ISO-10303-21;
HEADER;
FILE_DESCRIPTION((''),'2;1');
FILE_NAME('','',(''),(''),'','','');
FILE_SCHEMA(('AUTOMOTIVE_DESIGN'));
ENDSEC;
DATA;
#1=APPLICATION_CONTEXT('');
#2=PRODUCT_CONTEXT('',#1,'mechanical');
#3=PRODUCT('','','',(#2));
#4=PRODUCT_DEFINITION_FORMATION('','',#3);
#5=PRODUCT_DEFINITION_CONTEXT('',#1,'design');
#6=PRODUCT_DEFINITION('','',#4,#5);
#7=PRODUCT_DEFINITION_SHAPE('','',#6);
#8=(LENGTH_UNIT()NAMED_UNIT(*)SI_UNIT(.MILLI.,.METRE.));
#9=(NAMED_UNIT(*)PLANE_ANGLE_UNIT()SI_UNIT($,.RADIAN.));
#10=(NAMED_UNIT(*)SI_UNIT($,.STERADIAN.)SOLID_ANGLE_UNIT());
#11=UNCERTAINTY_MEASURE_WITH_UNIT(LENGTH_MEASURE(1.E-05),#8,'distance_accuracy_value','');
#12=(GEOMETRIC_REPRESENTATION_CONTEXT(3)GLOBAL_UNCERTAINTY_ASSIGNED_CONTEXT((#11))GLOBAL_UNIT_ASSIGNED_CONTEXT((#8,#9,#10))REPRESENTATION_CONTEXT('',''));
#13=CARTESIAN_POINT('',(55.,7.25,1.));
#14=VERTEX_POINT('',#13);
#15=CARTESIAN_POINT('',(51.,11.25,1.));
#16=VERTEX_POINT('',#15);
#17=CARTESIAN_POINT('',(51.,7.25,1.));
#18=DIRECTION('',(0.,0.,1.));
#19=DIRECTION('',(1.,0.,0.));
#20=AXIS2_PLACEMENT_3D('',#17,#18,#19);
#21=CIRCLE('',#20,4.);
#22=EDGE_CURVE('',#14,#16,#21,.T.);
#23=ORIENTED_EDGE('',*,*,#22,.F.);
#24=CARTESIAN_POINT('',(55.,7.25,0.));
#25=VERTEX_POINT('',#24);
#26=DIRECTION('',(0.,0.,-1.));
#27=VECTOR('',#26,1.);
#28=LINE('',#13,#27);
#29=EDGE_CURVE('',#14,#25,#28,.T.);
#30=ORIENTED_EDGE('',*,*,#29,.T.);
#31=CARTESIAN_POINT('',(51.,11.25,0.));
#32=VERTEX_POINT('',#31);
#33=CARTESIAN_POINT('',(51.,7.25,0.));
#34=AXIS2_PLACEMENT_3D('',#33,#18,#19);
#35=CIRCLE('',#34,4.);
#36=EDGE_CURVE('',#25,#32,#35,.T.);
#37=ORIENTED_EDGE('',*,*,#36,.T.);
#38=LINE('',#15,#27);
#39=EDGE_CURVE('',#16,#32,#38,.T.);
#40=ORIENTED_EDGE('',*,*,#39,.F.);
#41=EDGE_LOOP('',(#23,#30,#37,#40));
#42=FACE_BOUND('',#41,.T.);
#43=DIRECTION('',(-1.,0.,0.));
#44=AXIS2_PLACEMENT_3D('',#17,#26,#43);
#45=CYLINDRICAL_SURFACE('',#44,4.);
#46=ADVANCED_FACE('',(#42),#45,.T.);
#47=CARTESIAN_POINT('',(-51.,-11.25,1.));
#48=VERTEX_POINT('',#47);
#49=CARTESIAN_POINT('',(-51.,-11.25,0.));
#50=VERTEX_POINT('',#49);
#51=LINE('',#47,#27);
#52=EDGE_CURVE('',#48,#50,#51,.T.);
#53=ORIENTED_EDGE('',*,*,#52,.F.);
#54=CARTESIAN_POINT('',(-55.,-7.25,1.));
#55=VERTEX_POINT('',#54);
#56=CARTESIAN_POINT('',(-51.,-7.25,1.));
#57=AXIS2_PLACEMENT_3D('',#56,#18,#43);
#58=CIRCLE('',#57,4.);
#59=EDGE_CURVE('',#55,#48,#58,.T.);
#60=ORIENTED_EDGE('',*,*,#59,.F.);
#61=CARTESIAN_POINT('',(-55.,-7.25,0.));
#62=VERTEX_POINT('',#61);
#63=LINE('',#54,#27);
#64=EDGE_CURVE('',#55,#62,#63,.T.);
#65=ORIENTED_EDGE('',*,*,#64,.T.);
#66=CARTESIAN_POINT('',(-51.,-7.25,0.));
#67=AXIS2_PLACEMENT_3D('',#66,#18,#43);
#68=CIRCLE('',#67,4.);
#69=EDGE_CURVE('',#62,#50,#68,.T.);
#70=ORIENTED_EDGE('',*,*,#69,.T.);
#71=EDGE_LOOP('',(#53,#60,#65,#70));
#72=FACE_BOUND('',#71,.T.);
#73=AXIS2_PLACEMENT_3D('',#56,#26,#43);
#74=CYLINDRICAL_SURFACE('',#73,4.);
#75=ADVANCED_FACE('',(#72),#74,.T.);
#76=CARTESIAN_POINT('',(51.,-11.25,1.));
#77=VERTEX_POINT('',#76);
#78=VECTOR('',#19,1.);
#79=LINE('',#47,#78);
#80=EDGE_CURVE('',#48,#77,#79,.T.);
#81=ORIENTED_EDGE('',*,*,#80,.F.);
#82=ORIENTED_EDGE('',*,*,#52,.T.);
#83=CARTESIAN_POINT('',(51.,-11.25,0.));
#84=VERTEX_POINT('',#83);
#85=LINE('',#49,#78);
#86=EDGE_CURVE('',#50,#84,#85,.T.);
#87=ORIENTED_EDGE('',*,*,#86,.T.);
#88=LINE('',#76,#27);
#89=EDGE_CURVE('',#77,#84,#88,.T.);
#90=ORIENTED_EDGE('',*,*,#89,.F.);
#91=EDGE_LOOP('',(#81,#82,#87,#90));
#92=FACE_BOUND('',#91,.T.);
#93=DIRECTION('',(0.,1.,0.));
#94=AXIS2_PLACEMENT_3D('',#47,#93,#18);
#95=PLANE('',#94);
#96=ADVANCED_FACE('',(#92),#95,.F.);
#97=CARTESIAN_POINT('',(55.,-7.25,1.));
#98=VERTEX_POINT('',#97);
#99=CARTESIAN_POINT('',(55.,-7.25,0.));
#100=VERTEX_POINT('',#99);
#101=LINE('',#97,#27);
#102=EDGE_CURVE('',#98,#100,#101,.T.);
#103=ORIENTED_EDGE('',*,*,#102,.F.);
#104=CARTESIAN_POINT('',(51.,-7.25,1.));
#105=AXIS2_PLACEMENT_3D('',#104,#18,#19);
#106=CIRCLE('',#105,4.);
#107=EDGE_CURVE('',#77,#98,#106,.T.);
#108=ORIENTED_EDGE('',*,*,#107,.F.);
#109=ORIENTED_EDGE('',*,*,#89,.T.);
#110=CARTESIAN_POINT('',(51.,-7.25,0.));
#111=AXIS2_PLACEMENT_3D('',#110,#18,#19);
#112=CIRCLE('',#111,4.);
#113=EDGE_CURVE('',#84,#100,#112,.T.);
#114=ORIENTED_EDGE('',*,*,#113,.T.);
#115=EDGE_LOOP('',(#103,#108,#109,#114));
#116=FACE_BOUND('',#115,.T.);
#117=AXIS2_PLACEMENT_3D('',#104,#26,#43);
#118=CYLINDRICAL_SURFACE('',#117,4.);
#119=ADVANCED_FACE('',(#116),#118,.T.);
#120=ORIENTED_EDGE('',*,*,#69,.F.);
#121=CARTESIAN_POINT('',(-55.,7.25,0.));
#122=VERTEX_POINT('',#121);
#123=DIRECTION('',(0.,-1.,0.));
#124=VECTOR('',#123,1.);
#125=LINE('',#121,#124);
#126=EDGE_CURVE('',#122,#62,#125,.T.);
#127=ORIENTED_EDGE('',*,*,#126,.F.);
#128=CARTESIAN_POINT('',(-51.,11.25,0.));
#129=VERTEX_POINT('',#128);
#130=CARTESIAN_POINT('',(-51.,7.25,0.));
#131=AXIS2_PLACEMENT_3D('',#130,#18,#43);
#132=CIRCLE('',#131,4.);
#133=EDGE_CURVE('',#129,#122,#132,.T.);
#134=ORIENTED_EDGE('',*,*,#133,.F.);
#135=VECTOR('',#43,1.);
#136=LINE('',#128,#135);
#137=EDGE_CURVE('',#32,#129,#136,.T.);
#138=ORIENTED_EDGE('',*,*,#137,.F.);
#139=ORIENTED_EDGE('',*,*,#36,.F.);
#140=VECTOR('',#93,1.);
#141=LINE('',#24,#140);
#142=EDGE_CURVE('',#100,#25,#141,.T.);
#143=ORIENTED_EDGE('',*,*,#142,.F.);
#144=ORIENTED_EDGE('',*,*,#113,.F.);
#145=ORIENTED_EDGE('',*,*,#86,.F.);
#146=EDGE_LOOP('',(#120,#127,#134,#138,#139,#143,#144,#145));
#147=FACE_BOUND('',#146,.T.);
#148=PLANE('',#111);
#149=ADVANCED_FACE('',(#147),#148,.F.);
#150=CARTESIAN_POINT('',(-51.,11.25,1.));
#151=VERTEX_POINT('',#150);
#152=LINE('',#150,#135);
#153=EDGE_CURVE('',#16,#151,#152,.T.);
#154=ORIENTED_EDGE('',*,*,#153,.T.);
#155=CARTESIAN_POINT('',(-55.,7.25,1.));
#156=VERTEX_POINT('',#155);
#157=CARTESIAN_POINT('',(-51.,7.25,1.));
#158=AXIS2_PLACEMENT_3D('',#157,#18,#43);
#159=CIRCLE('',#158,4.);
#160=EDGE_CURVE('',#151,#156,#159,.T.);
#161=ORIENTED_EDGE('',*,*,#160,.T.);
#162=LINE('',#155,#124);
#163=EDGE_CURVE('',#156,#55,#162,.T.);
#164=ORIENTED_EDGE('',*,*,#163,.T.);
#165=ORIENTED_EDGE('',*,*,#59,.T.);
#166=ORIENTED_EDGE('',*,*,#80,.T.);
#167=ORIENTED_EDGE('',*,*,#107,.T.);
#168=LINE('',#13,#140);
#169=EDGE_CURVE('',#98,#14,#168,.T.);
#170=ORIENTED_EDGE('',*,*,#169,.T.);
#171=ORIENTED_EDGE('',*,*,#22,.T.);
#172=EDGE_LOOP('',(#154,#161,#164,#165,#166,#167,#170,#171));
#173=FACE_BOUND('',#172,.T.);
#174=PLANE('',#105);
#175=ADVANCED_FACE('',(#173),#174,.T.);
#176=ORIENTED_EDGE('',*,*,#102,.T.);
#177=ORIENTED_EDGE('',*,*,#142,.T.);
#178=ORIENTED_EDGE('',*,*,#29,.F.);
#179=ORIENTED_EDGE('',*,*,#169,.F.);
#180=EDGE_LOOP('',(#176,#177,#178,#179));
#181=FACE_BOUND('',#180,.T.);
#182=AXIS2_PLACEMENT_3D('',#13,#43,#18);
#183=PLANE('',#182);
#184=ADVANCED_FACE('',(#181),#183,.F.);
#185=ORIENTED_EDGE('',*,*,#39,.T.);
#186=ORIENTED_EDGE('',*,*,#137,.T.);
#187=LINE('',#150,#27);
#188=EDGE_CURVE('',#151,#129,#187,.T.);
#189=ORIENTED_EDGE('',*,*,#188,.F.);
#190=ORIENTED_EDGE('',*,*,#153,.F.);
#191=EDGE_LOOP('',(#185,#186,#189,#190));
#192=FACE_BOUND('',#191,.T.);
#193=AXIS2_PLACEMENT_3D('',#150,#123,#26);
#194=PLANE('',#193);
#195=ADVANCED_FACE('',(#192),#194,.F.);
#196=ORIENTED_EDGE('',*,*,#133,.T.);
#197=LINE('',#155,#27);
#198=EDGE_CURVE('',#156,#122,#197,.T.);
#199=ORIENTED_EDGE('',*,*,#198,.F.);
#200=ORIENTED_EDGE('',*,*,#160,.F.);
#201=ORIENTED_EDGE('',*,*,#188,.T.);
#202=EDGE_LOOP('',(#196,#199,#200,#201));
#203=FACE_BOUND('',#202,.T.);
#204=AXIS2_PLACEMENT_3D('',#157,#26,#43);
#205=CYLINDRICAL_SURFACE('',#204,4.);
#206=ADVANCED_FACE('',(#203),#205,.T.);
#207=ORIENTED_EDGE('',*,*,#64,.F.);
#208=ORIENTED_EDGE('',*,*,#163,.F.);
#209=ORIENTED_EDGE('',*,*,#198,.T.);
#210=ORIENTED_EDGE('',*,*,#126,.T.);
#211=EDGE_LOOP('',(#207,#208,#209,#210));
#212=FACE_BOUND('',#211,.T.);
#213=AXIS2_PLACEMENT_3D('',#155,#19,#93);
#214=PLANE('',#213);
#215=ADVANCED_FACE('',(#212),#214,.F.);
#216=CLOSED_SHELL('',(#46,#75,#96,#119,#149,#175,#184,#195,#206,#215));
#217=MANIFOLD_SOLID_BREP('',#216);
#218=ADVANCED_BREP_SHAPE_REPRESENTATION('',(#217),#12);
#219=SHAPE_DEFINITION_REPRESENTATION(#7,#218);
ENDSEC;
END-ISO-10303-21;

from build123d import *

# Parameters (mm, degrees)
BOSS_EXTRUDE1_DEPTH = 1


with BuildPart() as part:
    # Sketch1 → Boss-Extrude1 (new body)
    with BuildSketch(Plane.XY):
        with BuildLine():
            Line((-51, 11.25), (51, 11.25))
            ThreePointArc((51, 11.25), (53.828427125, 10.078427125), (55, 7.25))
            Line((55, 7.25), (55, -7.25))
            ThreePointArc((55, -7.25), (53.828427125, -10.078427125), (51, -11.25))
            Line((51, -11.25), (-51, -11.25))
            ThreePointArc((-51, -11.25), (-53.828427125, -10.078427125), (-55, -7.25))
            Line((-55, -7.25), (-55, 7.25))
            ThreePointArc((-55, 7.25), (-53.828427125, 10.078427125), (-51, 11.25))
        make_face()
    extrude(amount=BOSS_EXTRUDE1_DEPTH)


solid = part.part
